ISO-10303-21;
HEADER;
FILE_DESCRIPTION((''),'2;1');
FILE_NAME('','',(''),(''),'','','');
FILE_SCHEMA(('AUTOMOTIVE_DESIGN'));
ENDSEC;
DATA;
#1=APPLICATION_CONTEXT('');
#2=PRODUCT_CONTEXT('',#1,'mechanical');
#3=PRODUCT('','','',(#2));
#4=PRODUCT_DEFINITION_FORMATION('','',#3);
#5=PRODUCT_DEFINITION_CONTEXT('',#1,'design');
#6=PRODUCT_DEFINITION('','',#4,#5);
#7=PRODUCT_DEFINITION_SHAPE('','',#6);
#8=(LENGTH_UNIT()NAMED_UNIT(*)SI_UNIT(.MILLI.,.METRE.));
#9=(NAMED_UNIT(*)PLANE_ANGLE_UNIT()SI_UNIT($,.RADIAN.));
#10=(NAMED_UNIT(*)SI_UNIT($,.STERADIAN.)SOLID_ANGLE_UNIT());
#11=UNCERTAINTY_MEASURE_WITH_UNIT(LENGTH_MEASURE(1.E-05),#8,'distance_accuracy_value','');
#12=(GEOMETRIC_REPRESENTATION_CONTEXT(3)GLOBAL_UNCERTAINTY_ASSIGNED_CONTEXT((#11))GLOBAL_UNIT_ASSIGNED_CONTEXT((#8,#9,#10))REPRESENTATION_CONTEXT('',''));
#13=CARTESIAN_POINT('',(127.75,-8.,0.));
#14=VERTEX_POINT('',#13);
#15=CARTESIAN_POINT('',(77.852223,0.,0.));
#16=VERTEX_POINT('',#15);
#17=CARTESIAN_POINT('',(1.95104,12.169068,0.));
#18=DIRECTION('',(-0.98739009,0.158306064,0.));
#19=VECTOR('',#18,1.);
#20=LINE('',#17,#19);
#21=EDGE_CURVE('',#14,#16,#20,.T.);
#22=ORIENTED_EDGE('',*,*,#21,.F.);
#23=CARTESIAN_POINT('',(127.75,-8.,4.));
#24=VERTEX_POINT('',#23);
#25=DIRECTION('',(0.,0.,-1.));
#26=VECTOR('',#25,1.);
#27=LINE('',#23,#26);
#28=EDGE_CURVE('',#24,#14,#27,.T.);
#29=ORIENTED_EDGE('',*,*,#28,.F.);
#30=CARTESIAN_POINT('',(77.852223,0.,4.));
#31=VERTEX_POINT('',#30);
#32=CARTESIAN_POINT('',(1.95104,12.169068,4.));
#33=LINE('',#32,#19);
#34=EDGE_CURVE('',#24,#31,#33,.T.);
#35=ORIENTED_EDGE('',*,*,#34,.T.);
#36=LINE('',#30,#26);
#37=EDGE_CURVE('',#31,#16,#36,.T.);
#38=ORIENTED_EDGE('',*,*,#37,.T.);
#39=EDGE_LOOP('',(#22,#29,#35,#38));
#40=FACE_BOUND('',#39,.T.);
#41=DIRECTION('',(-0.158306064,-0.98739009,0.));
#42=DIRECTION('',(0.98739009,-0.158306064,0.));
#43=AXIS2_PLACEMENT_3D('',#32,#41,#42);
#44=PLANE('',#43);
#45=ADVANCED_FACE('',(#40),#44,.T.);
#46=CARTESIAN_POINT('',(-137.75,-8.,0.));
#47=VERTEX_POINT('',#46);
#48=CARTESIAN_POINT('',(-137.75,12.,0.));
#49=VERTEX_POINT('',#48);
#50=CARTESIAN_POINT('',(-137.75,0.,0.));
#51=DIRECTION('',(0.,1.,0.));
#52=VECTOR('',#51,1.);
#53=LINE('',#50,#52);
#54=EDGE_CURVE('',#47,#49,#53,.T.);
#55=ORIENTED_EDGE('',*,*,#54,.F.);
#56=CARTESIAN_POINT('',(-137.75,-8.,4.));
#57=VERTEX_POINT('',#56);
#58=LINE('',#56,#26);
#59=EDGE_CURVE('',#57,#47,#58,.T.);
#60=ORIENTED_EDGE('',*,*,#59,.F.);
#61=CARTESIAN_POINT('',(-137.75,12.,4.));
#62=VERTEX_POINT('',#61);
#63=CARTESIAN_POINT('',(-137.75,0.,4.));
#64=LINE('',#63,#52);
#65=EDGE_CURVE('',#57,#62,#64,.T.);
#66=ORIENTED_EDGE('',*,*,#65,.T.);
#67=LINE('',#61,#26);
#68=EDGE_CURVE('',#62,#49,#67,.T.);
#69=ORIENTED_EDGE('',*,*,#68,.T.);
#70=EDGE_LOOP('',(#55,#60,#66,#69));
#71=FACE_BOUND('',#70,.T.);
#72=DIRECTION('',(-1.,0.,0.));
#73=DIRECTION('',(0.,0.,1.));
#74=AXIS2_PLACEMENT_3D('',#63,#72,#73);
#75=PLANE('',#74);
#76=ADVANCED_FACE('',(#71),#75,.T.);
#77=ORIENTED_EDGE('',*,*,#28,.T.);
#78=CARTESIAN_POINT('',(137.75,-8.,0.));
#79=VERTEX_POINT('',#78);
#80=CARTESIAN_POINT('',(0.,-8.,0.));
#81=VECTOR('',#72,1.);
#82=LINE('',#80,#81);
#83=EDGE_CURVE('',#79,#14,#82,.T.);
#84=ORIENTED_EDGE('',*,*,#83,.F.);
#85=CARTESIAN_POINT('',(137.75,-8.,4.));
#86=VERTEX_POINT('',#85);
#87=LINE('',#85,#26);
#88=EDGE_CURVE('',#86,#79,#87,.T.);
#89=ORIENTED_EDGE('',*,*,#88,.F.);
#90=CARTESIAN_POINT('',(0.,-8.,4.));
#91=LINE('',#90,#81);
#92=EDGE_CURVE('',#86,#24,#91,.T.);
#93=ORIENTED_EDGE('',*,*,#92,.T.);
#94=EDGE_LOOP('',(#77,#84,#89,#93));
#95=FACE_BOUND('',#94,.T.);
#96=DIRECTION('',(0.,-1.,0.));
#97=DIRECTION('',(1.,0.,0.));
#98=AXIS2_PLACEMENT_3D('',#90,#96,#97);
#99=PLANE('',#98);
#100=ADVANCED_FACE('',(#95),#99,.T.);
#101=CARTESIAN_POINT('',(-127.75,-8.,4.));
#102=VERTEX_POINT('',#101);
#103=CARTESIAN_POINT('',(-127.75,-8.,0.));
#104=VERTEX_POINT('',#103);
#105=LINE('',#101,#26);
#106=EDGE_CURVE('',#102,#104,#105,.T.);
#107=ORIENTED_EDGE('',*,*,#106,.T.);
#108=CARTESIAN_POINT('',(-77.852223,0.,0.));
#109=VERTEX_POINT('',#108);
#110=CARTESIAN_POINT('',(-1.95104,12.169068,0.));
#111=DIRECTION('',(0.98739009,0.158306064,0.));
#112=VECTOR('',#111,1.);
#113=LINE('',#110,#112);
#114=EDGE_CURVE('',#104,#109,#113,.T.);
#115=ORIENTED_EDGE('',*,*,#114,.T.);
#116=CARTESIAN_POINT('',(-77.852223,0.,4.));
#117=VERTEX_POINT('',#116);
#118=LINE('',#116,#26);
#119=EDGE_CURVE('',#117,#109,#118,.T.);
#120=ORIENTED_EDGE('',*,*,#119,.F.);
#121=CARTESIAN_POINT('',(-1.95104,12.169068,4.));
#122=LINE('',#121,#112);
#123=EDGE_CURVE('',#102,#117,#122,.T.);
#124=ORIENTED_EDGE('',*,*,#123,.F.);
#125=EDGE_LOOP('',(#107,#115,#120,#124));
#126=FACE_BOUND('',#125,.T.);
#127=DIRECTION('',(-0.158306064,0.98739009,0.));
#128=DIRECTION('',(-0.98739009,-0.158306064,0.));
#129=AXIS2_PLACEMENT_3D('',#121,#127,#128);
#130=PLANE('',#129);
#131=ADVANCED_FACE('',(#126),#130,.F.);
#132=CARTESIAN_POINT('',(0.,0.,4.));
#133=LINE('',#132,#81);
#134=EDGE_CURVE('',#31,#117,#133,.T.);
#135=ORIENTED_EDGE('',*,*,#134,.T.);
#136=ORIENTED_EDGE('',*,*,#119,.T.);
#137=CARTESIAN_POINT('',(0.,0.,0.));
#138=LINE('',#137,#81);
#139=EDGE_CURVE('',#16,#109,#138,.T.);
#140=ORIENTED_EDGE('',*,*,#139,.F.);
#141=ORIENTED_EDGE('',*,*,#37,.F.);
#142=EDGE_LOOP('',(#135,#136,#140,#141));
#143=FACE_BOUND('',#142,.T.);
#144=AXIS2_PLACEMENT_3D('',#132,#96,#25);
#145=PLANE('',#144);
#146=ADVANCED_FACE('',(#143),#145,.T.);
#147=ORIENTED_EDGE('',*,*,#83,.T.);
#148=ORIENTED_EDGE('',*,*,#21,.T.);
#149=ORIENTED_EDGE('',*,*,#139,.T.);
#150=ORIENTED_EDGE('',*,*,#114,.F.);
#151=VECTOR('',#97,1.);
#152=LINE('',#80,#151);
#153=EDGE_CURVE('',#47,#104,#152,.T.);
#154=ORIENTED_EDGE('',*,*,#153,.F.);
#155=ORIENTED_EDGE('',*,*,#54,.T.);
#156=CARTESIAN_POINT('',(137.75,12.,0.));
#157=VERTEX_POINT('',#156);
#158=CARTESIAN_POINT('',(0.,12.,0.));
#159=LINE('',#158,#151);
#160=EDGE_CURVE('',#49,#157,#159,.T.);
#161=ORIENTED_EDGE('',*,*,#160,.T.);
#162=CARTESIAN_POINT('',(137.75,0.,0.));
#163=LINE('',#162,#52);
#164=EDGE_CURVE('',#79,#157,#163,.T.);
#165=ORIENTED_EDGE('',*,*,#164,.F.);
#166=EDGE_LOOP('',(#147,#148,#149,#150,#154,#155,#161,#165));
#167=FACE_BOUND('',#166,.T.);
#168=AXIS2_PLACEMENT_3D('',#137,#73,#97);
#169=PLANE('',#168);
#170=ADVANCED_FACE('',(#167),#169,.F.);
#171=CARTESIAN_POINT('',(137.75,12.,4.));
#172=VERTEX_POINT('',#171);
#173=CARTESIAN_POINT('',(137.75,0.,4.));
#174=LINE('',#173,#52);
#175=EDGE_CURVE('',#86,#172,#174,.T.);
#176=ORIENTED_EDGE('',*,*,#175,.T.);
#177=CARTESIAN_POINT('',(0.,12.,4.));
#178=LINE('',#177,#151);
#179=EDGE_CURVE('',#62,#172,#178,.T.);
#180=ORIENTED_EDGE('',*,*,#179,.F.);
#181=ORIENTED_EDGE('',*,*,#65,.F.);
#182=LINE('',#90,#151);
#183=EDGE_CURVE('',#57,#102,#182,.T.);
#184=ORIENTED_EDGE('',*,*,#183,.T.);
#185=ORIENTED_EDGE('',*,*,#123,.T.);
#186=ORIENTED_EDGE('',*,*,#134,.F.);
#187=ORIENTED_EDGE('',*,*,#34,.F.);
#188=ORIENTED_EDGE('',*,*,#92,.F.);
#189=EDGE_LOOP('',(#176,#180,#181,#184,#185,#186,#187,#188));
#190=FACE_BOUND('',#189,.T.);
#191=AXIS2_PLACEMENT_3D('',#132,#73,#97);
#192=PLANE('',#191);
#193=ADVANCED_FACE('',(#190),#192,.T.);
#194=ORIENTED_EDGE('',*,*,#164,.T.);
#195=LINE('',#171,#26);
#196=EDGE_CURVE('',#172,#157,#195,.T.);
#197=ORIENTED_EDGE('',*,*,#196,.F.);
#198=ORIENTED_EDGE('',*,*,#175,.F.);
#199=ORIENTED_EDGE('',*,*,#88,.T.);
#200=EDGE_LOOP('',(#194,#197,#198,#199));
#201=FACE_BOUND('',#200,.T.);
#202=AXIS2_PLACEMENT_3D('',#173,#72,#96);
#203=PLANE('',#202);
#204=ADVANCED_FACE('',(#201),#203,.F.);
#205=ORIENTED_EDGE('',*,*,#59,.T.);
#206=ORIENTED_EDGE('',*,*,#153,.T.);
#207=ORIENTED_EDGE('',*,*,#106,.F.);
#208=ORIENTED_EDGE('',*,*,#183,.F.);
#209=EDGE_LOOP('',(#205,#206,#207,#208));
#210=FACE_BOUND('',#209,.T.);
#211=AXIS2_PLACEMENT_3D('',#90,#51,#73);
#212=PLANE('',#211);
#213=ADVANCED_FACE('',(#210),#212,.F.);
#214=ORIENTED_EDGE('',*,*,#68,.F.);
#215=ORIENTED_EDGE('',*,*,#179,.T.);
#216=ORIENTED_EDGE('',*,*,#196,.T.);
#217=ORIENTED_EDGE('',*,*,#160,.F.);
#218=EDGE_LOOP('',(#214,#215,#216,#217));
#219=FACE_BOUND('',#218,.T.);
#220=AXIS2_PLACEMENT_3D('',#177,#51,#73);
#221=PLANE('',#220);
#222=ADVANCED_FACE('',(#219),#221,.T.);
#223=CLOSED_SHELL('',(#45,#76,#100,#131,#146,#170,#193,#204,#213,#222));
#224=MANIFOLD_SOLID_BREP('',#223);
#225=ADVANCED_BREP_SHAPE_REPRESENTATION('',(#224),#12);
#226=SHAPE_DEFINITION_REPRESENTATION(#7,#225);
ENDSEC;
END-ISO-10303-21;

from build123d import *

# Parameters (mm, degrees)
BOSS_EXTRUDE1_DEPTH = 4


with BuildPart() as part:
    # Sketch1 → Boss-Extrude1 (new body)
    with BuildSketch(Plane.XY):
        Polygon((0, 0), (-77.852222873, 0), (-127.75, -8), (-137.75, -8), (-137.75, 12), (0, 12), align=None)
    boss_extrude1 = extrude(amount=BOSS_EXTRUDE1_DEPTH)

    # Mirror1: Boss-Extrude1 across plane
    add(boss_extrude1.mirror(Plane(origin=(0, 0, 4), x_dir=(0, 0, 1), z_dir=(1, 0, 0))))


solid = part.part
